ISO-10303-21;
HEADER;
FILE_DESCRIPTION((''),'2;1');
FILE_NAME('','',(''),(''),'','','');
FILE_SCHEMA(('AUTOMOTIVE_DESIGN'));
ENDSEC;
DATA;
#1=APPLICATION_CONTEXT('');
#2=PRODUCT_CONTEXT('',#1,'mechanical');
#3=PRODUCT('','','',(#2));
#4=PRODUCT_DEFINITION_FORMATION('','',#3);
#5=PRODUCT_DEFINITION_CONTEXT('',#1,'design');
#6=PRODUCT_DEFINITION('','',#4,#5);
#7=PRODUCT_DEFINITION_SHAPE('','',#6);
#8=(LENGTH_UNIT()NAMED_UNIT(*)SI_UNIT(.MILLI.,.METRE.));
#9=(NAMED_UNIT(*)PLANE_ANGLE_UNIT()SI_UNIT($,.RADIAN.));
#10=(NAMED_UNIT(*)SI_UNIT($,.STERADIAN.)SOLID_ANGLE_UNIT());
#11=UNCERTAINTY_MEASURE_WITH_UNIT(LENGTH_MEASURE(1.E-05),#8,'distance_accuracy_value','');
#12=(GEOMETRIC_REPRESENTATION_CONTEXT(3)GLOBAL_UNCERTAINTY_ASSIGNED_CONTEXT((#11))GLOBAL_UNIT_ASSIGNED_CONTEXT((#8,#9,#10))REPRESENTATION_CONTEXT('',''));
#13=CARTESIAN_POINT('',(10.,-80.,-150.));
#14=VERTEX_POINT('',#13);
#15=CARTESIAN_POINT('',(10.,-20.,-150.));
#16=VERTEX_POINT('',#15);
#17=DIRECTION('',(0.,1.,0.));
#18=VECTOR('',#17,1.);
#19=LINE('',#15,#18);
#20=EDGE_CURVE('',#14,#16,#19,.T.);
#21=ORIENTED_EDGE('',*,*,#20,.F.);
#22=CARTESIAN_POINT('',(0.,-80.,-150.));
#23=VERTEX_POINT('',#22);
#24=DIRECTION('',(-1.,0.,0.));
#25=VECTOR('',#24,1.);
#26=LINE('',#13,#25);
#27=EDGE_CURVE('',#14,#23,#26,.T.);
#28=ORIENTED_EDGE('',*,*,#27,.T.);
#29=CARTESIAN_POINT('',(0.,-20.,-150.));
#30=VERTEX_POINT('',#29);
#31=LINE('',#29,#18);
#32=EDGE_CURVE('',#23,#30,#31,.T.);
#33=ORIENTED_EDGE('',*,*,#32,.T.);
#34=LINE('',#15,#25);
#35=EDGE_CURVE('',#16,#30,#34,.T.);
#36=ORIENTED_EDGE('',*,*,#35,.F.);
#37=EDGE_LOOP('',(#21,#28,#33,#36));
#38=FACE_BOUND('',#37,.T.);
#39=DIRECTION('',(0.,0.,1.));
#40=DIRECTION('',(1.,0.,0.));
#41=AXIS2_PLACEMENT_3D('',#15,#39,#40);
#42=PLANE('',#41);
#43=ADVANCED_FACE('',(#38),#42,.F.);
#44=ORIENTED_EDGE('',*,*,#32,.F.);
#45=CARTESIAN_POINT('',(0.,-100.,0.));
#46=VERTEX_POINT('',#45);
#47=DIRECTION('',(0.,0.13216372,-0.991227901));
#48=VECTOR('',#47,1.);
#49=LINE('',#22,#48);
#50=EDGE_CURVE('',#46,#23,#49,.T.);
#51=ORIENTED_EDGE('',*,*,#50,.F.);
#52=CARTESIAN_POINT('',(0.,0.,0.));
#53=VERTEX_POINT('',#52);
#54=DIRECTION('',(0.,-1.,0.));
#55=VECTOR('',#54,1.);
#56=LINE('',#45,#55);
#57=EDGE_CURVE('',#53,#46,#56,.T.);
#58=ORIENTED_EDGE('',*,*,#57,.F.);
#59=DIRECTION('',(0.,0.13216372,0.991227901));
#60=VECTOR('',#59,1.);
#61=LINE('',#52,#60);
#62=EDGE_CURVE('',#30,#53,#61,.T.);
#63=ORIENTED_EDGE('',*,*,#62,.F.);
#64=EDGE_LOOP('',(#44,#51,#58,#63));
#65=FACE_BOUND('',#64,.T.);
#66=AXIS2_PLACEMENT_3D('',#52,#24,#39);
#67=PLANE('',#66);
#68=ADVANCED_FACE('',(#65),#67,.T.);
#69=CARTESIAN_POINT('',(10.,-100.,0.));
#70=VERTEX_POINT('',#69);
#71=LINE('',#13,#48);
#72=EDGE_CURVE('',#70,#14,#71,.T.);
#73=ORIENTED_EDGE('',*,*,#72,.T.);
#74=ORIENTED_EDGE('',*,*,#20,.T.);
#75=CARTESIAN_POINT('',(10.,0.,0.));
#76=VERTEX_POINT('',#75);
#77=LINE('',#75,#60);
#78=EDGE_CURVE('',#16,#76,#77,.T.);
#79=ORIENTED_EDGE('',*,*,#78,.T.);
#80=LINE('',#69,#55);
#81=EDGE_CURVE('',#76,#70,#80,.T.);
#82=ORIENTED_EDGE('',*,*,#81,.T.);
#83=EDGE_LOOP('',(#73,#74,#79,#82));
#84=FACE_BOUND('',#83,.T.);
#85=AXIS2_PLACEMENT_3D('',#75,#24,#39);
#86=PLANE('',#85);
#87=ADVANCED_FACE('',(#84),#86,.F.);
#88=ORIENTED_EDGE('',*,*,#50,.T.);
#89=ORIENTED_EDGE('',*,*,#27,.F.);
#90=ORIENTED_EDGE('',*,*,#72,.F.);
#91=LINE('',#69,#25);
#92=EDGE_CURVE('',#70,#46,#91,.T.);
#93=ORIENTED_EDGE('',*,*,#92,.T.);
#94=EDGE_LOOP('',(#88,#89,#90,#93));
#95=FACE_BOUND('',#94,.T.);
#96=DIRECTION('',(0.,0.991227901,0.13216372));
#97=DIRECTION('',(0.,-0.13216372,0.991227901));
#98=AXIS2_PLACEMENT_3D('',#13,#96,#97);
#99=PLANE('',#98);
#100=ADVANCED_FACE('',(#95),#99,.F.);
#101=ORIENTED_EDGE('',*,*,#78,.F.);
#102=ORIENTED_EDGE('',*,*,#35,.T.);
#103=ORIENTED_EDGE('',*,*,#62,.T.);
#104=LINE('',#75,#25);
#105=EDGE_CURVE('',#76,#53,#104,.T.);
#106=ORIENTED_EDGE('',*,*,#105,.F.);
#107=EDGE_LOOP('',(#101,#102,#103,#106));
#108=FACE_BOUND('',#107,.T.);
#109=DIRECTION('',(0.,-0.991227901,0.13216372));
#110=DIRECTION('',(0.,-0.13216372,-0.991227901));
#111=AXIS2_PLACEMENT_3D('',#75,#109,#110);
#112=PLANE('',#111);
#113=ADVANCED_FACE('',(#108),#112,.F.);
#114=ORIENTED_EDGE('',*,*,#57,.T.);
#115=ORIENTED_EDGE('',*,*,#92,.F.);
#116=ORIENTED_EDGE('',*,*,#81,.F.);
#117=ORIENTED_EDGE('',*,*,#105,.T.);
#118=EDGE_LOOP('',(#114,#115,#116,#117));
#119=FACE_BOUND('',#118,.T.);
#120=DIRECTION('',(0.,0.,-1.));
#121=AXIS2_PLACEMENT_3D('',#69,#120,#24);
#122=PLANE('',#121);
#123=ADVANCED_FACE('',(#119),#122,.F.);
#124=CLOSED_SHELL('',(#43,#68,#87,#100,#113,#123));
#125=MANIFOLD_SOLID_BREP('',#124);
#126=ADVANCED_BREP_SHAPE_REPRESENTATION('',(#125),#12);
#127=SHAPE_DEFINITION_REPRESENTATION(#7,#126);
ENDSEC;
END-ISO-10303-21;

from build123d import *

# Parameters (mm, degrees)
BOSS_EXTRUDE1_DEPTH = 10


with BuildPart() as part:
    # Sketch1 → Boss-Extrude1 (new body)
    with BuildSketch(Plane(origin=(0, 0, 0), x_dir=(0, 0, -1), z_dir=(1, 0, 0))):
        Polygon((0, 0), (150, -20), (150, -80), (0, -100), align=None)
    extrude(amount=BOSS_EXTRUDE1_DEPTH)


solid = part.part
